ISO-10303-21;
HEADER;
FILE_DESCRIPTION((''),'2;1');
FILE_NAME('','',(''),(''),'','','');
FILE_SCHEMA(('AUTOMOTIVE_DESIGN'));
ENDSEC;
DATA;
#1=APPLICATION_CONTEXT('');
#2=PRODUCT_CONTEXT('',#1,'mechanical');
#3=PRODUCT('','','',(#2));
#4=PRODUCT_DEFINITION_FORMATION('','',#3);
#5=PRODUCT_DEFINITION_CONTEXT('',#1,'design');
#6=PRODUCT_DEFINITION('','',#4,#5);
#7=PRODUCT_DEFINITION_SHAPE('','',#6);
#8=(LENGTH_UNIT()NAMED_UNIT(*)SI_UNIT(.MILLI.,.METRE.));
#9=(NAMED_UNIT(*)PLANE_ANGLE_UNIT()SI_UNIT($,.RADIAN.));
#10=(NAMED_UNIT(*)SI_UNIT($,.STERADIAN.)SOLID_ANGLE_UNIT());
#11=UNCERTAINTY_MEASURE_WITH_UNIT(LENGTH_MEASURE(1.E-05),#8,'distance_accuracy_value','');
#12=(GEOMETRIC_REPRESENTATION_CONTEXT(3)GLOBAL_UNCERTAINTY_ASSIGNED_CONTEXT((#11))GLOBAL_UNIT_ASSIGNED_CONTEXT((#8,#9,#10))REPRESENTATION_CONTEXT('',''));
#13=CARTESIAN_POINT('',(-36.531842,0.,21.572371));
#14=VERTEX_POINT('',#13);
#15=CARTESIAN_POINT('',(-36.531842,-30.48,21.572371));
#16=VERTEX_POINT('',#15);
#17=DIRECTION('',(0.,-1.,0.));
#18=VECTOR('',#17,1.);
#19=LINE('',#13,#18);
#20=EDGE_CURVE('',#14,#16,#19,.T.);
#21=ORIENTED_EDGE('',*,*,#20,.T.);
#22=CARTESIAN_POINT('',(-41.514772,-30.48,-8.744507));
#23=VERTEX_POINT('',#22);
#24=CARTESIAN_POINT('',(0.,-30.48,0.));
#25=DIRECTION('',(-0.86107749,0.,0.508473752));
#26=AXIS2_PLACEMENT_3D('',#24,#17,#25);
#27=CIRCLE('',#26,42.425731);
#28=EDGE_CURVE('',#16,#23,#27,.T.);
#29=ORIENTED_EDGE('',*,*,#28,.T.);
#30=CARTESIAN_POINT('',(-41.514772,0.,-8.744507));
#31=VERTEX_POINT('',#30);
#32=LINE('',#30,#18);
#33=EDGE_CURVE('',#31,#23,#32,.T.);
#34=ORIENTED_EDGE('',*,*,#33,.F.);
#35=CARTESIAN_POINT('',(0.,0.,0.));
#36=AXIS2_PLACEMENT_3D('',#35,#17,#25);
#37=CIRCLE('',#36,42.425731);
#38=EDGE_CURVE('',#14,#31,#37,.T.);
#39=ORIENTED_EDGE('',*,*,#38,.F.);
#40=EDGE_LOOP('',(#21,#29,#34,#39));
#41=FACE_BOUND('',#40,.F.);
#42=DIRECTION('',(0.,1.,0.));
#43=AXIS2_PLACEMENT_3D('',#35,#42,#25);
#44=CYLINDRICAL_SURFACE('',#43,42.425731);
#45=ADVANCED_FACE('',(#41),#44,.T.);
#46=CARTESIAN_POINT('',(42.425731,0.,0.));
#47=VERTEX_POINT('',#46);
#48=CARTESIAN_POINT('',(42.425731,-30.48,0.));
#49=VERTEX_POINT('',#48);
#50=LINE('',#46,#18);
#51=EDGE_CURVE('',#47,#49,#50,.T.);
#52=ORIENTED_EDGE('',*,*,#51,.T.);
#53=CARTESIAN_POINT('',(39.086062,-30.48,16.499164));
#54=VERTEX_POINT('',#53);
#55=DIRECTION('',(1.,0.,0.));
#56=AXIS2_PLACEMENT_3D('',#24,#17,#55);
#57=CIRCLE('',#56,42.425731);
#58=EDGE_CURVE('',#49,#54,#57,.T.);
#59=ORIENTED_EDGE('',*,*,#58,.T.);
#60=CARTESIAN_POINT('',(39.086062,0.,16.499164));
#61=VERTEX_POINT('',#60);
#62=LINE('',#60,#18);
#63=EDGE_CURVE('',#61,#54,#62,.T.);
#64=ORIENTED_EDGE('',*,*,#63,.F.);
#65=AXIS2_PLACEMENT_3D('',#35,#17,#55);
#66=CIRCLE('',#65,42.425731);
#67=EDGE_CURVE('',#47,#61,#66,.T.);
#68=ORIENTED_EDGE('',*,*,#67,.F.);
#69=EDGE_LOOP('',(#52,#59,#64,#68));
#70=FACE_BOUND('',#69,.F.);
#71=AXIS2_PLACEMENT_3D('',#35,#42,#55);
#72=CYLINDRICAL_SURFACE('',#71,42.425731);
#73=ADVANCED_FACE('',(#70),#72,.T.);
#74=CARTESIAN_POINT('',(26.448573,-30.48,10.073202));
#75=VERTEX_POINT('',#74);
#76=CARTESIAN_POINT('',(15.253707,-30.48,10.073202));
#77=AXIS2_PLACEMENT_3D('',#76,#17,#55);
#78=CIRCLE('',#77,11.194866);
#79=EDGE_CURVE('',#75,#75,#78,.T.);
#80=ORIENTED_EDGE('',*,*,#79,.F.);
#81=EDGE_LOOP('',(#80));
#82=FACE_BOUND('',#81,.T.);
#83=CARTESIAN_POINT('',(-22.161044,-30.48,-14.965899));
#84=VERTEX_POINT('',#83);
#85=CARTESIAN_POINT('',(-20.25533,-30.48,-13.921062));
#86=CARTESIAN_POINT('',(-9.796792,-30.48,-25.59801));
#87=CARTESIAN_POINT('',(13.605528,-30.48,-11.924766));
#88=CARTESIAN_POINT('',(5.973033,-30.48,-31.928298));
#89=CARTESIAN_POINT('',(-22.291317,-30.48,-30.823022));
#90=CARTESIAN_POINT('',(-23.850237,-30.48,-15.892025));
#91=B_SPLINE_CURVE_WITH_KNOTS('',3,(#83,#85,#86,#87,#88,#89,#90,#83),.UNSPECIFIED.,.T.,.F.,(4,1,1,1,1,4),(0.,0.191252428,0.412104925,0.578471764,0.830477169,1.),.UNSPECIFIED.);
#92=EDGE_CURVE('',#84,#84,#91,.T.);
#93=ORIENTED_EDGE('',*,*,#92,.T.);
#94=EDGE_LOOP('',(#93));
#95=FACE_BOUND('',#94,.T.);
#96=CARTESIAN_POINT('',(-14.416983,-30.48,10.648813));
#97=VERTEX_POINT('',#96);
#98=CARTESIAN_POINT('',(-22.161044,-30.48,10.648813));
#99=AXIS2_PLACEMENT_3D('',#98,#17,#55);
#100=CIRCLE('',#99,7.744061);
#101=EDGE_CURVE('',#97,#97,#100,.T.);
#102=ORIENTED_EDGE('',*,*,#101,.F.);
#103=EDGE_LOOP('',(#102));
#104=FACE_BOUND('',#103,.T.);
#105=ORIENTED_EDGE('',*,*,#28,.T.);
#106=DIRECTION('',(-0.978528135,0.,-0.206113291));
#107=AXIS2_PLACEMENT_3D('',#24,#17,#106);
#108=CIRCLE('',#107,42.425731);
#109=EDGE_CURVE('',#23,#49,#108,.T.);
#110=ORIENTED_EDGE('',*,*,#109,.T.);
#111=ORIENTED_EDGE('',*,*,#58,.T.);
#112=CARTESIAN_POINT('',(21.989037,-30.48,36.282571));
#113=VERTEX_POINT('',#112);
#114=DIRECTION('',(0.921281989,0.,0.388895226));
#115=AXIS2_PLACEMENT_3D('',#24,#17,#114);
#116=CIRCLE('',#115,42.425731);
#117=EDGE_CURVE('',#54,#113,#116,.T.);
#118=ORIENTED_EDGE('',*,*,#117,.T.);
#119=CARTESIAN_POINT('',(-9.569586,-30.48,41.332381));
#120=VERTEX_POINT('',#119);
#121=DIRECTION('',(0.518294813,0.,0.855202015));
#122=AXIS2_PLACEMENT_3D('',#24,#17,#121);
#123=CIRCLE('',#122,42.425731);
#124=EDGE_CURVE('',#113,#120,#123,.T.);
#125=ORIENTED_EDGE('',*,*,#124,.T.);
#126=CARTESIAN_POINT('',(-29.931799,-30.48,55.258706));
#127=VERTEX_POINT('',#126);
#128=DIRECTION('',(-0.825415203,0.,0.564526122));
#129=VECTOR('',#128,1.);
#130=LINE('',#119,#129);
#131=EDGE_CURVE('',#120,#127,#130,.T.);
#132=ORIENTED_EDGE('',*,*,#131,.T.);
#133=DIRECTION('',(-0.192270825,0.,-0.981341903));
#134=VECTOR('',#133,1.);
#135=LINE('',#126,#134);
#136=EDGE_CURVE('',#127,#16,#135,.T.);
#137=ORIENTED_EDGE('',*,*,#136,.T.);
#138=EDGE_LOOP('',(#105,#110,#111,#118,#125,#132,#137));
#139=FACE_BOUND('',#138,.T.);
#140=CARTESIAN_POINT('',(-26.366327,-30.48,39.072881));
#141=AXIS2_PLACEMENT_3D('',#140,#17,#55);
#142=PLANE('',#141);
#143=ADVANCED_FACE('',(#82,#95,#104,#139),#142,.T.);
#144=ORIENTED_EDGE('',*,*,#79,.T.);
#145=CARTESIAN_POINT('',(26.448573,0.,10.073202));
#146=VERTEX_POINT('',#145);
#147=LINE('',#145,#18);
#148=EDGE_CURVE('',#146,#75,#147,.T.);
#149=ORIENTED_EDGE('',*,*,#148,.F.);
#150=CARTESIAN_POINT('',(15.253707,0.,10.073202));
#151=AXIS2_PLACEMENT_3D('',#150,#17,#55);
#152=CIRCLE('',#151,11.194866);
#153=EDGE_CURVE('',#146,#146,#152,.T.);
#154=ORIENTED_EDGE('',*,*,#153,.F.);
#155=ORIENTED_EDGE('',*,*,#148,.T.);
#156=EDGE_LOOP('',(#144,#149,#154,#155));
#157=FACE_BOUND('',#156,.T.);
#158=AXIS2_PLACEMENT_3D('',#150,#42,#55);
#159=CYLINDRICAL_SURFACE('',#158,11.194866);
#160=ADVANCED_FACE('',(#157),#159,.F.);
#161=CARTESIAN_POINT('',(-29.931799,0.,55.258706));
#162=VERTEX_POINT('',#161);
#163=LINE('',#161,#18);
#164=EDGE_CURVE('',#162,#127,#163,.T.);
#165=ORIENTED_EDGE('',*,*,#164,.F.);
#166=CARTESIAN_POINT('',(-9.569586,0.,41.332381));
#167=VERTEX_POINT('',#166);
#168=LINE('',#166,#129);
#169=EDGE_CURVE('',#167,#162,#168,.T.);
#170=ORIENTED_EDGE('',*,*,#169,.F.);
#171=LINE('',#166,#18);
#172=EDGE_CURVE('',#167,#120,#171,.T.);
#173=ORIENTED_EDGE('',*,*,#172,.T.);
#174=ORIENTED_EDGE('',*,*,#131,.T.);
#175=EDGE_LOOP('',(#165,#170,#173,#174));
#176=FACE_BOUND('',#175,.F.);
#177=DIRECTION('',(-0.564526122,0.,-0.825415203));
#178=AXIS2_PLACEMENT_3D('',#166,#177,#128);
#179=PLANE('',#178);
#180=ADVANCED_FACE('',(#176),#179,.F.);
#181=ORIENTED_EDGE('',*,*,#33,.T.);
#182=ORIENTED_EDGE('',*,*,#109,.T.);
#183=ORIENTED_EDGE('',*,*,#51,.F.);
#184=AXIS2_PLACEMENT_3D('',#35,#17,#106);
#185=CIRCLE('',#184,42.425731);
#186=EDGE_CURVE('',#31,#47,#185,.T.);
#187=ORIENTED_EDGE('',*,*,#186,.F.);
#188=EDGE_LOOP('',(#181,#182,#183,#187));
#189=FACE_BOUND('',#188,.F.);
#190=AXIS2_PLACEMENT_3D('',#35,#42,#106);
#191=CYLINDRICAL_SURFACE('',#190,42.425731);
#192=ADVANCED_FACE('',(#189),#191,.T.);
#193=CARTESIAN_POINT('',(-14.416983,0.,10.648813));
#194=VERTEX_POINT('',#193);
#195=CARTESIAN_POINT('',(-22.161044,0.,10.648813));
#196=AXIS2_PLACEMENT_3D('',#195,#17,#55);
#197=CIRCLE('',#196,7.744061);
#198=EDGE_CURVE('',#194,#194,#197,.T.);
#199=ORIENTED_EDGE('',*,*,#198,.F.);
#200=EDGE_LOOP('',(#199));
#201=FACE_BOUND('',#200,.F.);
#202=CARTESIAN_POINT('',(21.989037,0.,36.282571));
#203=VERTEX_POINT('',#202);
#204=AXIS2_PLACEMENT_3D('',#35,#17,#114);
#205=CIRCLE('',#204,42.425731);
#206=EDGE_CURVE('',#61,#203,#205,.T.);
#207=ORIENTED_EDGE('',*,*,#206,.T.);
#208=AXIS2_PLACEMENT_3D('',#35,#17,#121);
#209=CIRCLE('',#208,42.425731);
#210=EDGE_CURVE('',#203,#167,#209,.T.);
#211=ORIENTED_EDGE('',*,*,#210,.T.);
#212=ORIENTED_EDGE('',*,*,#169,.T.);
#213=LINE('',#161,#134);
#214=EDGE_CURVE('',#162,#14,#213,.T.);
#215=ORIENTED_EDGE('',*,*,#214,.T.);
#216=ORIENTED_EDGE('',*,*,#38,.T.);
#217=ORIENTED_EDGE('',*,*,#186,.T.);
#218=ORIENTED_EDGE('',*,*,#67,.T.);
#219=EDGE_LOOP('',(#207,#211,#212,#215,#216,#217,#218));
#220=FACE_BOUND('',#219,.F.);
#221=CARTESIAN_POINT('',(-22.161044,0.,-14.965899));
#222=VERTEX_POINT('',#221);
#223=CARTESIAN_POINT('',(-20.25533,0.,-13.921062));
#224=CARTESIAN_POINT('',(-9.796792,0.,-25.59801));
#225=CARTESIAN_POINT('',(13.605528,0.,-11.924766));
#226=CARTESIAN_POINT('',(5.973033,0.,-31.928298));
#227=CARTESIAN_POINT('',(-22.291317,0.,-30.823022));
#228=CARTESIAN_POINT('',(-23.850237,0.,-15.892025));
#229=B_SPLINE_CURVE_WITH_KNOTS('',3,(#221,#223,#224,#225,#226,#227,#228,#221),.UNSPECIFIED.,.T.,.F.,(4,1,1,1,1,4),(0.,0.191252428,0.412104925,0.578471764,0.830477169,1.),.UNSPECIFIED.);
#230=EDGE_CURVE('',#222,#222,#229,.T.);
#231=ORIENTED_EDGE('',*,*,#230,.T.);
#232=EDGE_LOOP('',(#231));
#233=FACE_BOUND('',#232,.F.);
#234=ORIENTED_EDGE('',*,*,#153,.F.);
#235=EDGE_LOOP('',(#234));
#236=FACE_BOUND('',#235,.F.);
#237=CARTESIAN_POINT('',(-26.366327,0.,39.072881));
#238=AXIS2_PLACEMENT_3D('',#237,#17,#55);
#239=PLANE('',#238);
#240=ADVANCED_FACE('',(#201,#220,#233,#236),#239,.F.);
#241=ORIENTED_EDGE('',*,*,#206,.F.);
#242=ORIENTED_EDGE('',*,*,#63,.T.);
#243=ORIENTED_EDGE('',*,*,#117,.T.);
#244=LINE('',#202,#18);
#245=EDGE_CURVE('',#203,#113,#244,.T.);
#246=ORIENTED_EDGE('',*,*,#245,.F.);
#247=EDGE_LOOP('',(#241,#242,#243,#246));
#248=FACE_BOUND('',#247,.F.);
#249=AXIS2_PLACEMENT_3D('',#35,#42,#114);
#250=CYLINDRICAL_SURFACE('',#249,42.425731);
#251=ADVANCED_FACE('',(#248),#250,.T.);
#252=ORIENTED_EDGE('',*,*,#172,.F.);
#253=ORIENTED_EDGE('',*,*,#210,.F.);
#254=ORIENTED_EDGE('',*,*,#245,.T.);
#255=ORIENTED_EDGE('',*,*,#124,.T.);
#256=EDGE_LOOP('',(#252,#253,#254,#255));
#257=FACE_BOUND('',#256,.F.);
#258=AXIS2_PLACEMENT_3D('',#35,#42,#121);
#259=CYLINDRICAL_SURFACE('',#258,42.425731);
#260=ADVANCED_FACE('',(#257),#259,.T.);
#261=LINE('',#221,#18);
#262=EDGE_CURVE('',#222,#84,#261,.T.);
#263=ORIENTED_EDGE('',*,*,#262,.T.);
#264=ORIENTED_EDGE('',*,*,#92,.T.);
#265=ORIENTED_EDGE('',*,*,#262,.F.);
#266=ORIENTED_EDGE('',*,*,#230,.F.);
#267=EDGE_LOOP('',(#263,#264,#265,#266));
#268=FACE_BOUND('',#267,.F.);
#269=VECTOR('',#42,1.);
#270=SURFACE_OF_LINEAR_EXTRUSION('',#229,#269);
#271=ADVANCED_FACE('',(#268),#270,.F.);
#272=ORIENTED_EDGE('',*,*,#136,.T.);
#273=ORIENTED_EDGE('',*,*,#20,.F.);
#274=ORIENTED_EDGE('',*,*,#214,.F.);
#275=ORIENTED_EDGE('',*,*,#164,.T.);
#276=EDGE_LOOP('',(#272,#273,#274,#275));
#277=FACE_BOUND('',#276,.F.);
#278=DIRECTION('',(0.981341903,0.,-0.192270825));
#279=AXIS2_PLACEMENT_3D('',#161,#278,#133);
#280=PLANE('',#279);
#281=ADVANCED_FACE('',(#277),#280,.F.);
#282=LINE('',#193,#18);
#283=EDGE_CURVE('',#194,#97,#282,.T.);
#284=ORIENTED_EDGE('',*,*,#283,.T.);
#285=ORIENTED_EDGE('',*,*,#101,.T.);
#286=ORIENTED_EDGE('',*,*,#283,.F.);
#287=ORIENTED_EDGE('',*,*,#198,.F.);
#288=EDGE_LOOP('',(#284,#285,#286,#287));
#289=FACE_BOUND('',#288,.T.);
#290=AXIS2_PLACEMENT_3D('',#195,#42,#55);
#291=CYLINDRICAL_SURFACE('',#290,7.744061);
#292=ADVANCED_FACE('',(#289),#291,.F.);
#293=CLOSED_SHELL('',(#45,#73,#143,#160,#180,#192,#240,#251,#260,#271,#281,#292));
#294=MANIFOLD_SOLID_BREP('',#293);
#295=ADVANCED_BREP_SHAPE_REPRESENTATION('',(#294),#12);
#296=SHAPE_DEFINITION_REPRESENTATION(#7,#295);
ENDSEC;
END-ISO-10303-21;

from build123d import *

# Parameters (mm, degrees)
F0_R     = 7.7440612589
F0_R_2   = 11.1948658998
F1_DEPTH = 30.48


with BuildPart() as f1:
    # F0 (on Front) → F1 (new body)
    with BuildSketch(Plane.XZ):
        with BuildLine():
            Line((-29.9317985773, 55.258706212), (-36.5318423106, 21.5723708477))
            ThreePointArc((-36.5318423106, 21.5723708477), (-25.078874165, 34.2197714372), (-9.5695863399, 41.3323808155))
            Line((-9.5695863399, 41.3323808155), (-29.9317985773, 55.258706212))
        make_face()
        with BuildLine():
            ThreePointArc((-41.5147718494, -8.7445071268), (4.3959143597, -42.1973769746), (42.4257314209, 0))
            ThreePointArc((42.4257314209, 0), (41.5824329796, 8.4168850587), (39.0860622287, 16.4991644047))
            ThreePointArc((39.0860622287, 16.4991644047), (32.0996528961, 27.7408538179), (21.989036519, 36.2825710164))
            ThreePointArc((21.989036519, 36.2825710164), (6.7034193095, 41.8928019612), (-9.5695863399, 41.3323808155))
            ThreePointArc((-9.5695863399, 41.3323808155), (-25.078874165, 34.2197714372), (-36.5318423106, 21.5723708477))
            ThreePointArc((-36.5318423106, 21.5723708477), (-41.8640271353, 6.8808370572), (-41.5147718494, -8.7445071268))
        make_face()
        with BuildLine():
            add(Edge.make_bspline(
                [(-22.1610441804, -14.9658992887), (-20.255329571, -13.9210623976), (-15.4016609259, -19.340178891), (-9.2097846791, -20.1464034617)],
                knots=[0, 0, 0, 0, 0.1912524285, 0.1912524285, 0.1912524285, 0.1912524285], degree=3))
            add(Edge.make_bspline(
                [(-9.2097846791, -20.1464034617), (-2.0595940074, -21.0774071147), (13.6055276921, -11.9247658545), (5.9730328386, -31.9282980527), (-22.2913167062, -30.8230217802), (-23.8502365199, -15.8920245666), (-22.1610441804, -14.9658992887)],
                knots=[0.1912524285, 0.1912524285, 0.1912524285, 0.1912524285, 0.4121049254, 0.5784717634, 0.8304771683, 1, 1, 1, 1], degree=3))
        make_face(mode=Mode.SUBTRACT)
        Polygon((-7.4829505756, -12.6634538174), (-11.8000358343, -3.1658634543), (0, -4.8926980235), align=None, mode=Mode.SUBTRACT)
        with Locations((-22.1610441804, 10.6488130987)):
            Circle(F0_R, mode=Mode.SUBTRACT)
        with Locations((15.2537068352, 10.0732017308)):
            Circle(F0_R_2, mode=Mode.SUBTRACT)
        Polygon((0, -4.8926980235), (-11.8000358343, -3.1658634543), (-7.4829505756, -12.6634538174), align=None)
    extrude(amount=F1_DEPTH)


solid = f1.part
